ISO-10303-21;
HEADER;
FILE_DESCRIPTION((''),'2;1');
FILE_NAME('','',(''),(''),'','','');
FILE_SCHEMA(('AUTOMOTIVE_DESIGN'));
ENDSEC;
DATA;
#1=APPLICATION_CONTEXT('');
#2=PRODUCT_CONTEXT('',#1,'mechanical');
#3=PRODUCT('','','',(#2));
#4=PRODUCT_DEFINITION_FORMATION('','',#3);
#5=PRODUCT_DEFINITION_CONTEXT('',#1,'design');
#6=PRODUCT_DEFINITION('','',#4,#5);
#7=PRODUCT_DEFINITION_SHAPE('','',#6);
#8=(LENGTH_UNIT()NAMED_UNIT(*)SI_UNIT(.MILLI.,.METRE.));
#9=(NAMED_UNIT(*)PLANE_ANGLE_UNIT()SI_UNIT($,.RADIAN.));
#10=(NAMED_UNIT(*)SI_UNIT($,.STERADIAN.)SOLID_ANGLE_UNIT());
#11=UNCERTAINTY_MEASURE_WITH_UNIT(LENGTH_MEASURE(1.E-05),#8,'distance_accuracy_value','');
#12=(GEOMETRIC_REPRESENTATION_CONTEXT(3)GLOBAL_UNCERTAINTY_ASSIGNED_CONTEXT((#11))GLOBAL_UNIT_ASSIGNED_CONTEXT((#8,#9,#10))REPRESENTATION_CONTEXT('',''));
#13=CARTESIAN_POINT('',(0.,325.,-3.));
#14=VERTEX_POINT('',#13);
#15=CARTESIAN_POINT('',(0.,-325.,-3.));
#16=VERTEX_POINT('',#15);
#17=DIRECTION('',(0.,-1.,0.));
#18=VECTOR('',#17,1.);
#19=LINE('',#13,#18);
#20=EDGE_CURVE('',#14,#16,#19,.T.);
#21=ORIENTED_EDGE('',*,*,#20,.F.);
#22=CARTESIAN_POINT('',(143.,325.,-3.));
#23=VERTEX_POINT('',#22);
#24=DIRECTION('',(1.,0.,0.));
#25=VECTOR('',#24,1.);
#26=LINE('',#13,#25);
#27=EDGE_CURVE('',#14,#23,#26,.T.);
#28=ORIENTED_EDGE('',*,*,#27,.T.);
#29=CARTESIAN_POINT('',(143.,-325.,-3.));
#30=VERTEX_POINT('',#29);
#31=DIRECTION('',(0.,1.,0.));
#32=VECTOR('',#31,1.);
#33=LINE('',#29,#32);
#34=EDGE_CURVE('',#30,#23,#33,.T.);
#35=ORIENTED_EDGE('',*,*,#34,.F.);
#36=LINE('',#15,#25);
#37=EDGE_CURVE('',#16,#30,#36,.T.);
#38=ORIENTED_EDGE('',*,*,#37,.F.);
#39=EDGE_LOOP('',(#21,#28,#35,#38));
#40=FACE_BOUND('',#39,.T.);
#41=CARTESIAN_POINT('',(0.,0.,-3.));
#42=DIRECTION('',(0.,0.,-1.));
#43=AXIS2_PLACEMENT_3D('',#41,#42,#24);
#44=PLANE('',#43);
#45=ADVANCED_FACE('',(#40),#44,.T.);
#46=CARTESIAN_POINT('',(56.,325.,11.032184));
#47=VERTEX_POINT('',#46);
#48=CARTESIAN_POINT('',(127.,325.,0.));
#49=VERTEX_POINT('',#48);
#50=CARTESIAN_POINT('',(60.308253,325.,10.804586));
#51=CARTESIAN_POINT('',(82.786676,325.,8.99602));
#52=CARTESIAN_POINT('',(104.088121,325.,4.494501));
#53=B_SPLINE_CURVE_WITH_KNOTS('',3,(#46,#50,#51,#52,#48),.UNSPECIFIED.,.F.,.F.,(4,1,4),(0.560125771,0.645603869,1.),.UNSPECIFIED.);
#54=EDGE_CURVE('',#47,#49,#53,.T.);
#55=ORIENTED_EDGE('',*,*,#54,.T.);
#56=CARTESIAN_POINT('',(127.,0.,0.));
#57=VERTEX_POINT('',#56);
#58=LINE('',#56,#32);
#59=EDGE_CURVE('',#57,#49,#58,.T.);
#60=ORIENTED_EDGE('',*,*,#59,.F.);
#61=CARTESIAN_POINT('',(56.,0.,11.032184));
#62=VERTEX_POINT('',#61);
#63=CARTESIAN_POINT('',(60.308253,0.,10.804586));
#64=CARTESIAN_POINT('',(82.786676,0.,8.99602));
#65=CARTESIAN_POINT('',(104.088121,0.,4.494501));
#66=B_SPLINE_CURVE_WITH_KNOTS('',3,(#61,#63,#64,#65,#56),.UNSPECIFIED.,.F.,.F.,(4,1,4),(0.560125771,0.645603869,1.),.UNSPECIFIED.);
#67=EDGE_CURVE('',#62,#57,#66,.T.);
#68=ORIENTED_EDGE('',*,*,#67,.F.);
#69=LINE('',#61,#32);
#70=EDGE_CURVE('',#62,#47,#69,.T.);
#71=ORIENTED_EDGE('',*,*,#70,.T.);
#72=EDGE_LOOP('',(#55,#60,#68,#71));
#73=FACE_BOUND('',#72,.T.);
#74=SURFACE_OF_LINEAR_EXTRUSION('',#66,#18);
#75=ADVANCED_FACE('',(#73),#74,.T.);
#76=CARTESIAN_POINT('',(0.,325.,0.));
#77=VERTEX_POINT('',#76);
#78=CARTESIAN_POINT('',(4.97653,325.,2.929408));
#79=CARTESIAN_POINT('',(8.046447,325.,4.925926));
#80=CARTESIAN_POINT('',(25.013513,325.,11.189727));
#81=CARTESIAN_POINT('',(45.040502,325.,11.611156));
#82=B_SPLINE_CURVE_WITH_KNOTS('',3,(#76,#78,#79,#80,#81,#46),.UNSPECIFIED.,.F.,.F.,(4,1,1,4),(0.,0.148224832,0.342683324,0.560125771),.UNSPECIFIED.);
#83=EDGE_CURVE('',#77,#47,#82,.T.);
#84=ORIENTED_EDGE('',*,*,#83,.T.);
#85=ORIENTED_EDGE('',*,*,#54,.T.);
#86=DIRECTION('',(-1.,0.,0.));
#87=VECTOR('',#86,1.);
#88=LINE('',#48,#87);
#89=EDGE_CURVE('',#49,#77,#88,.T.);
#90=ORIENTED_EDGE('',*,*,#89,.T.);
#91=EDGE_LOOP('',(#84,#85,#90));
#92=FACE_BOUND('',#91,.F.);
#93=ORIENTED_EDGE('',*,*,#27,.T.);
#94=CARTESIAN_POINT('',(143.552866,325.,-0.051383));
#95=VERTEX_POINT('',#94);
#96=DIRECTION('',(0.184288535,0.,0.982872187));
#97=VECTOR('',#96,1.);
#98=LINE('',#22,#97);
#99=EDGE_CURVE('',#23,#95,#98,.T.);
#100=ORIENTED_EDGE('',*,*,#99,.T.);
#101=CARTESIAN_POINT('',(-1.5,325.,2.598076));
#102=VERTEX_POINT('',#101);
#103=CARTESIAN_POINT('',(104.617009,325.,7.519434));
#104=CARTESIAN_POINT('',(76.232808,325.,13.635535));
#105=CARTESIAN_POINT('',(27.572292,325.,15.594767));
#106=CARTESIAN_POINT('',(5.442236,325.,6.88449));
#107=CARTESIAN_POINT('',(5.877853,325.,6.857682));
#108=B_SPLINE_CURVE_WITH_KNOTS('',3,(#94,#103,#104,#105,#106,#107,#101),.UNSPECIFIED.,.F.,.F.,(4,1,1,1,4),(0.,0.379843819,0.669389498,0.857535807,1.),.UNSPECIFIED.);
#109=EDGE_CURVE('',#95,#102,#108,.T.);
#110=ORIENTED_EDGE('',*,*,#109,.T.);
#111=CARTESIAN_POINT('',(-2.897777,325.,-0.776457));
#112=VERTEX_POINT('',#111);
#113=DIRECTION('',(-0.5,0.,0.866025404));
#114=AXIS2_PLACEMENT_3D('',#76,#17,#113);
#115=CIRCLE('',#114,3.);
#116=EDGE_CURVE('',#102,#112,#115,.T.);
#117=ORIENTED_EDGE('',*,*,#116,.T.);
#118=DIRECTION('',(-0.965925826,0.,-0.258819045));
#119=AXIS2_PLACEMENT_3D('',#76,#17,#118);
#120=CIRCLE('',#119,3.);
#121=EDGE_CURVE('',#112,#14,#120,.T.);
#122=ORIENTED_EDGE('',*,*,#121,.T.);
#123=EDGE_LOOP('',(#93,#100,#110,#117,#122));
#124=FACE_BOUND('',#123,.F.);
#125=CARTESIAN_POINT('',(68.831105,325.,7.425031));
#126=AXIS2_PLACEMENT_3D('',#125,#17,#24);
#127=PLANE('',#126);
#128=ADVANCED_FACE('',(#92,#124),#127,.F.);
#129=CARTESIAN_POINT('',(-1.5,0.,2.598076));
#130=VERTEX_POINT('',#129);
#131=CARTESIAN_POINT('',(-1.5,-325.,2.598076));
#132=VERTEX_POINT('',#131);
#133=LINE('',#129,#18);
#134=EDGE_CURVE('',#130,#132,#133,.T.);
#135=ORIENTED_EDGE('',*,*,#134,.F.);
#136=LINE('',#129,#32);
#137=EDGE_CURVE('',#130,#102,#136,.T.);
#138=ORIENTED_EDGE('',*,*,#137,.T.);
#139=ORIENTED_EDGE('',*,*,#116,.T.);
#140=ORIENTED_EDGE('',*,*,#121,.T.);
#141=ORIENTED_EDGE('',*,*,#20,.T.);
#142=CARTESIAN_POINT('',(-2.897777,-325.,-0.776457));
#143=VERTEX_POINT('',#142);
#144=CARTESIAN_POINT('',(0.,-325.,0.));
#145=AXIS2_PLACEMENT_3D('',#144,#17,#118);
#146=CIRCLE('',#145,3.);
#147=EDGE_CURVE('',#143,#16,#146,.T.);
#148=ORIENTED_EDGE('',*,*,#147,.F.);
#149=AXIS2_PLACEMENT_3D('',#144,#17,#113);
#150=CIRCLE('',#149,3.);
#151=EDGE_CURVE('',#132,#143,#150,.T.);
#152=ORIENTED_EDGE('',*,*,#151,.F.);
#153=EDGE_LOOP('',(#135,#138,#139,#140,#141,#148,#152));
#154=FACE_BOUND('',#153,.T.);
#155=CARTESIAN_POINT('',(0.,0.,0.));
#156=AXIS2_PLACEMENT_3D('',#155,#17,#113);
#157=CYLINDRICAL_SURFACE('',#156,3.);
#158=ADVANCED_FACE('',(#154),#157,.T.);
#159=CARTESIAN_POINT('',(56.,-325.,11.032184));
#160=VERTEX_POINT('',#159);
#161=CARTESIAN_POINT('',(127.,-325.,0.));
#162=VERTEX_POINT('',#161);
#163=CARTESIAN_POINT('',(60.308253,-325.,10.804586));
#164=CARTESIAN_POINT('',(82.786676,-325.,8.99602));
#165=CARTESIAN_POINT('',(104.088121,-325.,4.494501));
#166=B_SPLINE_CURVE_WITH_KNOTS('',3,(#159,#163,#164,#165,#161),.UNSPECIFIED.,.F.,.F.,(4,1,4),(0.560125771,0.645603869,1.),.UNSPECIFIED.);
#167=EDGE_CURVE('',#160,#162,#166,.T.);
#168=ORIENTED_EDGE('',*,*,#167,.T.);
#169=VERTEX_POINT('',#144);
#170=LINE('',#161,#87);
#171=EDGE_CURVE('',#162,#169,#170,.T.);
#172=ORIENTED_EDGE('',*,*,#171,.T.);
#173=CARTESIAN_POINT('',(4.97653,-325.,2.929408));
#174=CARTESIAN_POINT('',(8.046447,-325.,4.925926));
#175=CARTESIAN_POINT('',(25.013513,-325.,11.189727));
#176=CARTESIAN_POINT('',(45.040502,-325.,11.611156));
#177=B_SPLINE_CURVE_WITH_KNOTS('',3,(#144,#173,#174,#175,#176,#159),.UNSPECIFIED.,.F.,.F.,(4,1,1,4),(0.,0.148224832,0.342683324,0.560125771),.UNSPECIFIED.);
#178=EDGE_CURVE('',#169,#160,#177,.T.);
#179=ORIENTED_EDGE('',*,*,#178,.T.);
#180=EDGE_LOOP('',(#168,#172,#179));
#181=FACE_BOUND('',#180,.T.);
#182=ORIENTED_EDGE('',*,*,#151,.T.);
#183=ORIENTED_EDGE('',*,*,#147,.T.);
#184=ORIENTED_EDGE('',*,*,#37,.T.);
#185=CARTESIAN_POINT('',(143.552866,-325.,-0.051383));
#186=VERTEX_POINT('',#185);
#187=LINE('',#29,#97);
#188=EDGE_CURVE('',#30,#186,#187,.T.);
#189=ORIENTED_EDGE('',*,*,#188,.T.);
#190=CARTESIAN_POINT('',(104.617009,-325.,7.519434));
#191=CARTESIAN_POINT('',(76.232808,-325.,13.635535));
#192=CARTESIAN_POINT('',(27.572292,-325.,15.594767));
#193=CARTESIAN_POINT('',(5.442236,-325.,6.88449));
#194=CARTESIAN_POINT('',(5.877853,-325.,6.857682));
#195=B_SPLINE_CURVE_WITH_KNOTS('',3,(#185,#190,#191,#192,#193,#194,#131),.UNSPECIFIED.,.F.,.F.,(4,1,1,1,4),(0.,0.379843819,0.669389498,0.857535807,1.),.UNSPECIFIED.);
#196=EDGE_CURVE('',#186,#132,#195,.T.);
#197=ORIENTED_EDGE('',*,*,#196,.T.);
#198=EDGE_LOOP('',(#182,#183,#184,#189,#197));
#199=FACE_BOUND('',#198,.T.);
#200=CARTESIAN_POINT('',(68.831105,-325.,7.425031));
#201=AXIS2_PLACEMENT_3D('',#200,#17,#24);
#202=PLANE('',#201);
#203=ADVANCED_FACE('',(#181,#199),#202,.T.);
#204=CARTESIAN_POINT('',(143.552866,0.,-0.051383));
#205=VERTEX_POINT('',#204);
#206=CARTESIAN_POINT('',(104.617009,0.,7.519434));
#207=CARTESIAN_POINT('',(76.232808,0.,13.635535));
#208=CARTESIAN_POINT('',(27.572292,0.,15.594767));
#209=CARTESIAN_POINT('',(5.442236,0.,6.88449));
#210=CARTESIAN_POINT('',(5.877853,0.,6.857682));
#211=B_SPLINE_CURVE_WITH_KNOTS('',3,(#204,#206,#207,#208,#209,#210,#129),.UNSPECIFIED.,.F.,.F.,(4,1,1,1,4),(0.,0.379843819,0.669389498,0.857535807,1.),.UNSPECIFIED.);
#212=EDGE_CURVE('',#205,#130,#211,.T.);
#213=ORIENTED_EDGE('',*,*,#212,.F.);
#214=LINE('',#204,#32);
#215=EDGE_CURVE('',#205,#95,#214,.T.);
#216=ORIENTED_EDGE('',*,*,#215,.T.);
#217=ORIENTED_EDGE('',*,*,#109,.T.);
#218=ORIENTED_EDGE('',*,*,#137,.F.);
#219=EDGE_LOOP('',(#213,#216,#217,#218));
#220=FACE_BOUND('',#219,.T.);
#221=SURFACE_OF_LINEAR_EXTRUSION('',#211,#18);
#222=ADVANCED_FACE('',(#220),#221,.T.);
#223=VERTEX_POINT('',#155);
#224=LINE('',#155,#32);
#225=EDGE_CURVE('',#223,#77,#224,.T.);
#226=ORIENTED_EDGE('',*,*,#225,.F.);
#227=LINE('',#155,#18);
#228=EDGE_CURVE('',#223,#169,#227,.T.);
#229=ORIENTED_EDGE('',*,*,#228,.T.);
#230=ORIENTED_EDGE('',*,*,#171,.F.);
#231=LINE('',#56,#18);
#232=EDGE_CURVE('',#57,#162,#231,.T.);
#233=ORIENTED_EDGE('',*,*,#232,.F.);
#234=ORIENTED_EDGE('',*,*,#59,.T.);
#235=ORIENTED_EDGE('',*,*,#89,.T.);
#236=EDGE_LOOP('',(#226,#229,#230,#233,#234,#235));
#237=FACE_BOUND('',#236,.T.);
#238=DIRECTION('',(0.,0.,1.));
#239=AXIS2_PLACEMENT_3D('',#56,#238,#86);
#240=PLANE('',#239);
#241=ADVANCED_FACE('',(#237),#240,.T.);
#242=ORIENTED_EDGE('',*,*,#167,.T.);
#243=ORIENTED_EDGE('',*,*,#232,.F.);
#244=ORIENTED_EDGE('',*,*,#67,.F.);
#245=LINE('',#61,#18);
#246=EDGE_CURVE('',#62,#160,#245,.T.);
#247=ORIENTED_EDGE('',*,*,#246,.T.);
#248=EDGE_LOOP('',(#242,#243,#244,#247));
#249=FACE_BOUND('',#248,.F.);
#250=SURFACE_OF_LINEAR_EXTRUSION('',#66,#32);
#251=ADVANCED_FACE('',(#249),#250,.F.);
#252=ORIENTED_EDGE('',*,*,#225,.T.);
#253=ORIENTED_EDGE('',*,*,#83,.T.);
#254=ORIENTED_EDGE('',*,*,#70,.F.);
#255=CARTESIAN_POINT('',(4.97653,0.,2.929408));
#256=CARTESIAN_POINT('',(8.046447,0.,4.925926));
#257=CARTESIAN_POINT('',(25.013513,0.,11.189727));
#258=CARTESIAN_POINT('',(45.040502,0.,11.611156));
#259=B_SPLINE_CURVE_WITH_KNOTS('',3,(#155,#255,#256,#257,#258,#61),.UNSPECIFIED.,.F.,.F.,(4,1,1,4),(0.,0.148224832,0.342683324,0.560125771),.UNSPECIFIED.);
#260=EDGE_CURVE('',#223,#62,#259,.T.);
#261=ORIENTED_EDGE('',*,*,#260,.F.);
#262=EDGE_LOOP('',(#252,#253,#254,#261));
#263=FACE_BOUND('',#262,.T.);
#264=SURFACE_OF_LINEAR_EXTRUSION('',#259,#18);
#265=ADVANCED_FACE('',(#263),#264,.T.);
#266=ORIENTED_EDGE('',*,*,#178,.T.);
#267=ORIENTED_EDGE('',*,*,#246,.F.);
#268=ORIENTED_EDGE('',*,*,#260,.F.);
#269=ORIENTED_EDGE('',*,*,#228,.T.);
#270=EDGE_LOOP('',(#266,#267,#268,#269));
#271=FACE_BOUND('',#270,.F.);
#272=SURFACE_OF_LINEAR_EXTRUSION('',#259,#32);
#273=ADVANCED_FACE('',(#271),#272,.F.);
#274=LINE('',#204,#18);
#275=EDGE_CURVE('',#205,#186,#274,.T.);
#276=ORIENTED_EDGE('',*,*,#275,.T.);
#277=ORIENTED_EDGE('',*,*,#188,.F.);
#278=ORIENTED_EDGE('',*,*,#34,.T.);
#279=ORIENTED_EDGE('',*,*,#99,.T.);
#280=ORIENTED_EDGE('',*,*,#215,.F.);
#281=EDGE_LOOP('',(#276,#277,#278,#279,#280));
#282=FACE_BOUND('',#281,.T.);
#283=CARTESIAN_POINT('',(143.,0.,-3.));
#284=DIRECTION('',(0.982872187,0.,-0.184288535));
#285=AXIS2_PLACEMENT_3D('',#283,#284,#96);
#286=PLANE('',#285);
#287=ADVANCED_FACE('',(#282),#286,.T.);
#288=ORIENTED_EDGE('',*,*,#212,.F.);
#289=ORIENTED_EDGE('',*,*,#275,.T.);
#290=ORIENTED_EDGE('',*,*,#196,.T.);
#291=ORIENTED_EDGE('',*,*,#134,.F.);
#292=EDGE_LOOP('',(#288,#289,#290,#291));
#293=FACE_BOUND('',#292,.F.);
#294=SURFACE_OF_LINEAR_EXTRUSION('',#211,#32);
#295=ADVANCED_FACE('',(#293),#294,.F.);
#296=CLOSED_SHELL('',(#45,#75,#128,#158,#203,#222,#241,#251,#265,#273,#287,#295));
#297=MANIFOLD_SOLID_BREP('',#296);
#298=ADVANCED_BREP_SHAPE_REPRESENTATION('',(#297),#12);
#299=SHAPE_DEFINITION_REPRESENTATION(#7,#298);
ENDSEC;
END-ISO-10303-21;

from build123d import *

# Parameters (mm, degrees)
F1_DEPTH = 325


with BuildPart() as f1:
    # F0 (on Front) → F1 (new body, symmetric)
    with BuildSketch(Plane.XZ):
        with BuildLine():
            Line((0, -3), (0, 0))
            add(Edge.make_bspline(
                [(0, 0), (4.976529694, 2.9294076189), (8.0464472722, 4.9259260486), (25.0135125986, 11.1897274422), (45.0405023319, 11.6111564879), (56, 11.0321840118)],
                knots=[0, 0, 0, 0, 0.1482248323, 0.3426833242, 0.5601257706, 0.5601257706, 0.5601257706, 0.5601257706], degree=3))
            add(Edge.make_bspline(
                [(56, 11.0321840118), (60.3082527523, 10.8045860107), (82.7866761058, 8.9960203801), (104.0881206975, 4.4945010838), (127, 0)],
                knots=[0.5601257706, 0.5601257706, 0.5601257706, 0.5601257706, 0.6456038689, 1, 1, 1, 1], degree=3))
            Line((127, 0), (143, -3))
            Line((143, -3), (143.5528656052, -0.0513834392))
            add(Edge.make_bspline(
                [(143.5528656052, -0.0513834392), (104.6170089124, 7.519433537), (76.2328083292, 13.6355347634), (27.5722921413, 15.5947670577), (5.44223627, 6.8844900424), (5.8778529614, 6.8576816047), (-1.5, 2.5980762114)],
                knots=[0, 0, 0, 0, 0.3798438193, 0.6693894984, 0.8575358074, 1, 1, 1, 1], degree=3))
            ThreePointArc((-1.5, 2.5980762114), (-2.7716385975, 1.1480502971), (-2.8977774789, -0.7764571353))
            ThreePointArc((-2.8977774789, -0.7764571353), (-1.826284287, -2.3800600209), (0, -3))
        make_face()
        Polygon((9, 0), (0, 0), (0, -3), (143, -3), (127, 0), (102, 0), (69, 0), (60, 0), (56, 0), (51, 0), (26, 0), align=None)
    extrude(amount=F1_DEPTH, both=True)


solid = f1.part
